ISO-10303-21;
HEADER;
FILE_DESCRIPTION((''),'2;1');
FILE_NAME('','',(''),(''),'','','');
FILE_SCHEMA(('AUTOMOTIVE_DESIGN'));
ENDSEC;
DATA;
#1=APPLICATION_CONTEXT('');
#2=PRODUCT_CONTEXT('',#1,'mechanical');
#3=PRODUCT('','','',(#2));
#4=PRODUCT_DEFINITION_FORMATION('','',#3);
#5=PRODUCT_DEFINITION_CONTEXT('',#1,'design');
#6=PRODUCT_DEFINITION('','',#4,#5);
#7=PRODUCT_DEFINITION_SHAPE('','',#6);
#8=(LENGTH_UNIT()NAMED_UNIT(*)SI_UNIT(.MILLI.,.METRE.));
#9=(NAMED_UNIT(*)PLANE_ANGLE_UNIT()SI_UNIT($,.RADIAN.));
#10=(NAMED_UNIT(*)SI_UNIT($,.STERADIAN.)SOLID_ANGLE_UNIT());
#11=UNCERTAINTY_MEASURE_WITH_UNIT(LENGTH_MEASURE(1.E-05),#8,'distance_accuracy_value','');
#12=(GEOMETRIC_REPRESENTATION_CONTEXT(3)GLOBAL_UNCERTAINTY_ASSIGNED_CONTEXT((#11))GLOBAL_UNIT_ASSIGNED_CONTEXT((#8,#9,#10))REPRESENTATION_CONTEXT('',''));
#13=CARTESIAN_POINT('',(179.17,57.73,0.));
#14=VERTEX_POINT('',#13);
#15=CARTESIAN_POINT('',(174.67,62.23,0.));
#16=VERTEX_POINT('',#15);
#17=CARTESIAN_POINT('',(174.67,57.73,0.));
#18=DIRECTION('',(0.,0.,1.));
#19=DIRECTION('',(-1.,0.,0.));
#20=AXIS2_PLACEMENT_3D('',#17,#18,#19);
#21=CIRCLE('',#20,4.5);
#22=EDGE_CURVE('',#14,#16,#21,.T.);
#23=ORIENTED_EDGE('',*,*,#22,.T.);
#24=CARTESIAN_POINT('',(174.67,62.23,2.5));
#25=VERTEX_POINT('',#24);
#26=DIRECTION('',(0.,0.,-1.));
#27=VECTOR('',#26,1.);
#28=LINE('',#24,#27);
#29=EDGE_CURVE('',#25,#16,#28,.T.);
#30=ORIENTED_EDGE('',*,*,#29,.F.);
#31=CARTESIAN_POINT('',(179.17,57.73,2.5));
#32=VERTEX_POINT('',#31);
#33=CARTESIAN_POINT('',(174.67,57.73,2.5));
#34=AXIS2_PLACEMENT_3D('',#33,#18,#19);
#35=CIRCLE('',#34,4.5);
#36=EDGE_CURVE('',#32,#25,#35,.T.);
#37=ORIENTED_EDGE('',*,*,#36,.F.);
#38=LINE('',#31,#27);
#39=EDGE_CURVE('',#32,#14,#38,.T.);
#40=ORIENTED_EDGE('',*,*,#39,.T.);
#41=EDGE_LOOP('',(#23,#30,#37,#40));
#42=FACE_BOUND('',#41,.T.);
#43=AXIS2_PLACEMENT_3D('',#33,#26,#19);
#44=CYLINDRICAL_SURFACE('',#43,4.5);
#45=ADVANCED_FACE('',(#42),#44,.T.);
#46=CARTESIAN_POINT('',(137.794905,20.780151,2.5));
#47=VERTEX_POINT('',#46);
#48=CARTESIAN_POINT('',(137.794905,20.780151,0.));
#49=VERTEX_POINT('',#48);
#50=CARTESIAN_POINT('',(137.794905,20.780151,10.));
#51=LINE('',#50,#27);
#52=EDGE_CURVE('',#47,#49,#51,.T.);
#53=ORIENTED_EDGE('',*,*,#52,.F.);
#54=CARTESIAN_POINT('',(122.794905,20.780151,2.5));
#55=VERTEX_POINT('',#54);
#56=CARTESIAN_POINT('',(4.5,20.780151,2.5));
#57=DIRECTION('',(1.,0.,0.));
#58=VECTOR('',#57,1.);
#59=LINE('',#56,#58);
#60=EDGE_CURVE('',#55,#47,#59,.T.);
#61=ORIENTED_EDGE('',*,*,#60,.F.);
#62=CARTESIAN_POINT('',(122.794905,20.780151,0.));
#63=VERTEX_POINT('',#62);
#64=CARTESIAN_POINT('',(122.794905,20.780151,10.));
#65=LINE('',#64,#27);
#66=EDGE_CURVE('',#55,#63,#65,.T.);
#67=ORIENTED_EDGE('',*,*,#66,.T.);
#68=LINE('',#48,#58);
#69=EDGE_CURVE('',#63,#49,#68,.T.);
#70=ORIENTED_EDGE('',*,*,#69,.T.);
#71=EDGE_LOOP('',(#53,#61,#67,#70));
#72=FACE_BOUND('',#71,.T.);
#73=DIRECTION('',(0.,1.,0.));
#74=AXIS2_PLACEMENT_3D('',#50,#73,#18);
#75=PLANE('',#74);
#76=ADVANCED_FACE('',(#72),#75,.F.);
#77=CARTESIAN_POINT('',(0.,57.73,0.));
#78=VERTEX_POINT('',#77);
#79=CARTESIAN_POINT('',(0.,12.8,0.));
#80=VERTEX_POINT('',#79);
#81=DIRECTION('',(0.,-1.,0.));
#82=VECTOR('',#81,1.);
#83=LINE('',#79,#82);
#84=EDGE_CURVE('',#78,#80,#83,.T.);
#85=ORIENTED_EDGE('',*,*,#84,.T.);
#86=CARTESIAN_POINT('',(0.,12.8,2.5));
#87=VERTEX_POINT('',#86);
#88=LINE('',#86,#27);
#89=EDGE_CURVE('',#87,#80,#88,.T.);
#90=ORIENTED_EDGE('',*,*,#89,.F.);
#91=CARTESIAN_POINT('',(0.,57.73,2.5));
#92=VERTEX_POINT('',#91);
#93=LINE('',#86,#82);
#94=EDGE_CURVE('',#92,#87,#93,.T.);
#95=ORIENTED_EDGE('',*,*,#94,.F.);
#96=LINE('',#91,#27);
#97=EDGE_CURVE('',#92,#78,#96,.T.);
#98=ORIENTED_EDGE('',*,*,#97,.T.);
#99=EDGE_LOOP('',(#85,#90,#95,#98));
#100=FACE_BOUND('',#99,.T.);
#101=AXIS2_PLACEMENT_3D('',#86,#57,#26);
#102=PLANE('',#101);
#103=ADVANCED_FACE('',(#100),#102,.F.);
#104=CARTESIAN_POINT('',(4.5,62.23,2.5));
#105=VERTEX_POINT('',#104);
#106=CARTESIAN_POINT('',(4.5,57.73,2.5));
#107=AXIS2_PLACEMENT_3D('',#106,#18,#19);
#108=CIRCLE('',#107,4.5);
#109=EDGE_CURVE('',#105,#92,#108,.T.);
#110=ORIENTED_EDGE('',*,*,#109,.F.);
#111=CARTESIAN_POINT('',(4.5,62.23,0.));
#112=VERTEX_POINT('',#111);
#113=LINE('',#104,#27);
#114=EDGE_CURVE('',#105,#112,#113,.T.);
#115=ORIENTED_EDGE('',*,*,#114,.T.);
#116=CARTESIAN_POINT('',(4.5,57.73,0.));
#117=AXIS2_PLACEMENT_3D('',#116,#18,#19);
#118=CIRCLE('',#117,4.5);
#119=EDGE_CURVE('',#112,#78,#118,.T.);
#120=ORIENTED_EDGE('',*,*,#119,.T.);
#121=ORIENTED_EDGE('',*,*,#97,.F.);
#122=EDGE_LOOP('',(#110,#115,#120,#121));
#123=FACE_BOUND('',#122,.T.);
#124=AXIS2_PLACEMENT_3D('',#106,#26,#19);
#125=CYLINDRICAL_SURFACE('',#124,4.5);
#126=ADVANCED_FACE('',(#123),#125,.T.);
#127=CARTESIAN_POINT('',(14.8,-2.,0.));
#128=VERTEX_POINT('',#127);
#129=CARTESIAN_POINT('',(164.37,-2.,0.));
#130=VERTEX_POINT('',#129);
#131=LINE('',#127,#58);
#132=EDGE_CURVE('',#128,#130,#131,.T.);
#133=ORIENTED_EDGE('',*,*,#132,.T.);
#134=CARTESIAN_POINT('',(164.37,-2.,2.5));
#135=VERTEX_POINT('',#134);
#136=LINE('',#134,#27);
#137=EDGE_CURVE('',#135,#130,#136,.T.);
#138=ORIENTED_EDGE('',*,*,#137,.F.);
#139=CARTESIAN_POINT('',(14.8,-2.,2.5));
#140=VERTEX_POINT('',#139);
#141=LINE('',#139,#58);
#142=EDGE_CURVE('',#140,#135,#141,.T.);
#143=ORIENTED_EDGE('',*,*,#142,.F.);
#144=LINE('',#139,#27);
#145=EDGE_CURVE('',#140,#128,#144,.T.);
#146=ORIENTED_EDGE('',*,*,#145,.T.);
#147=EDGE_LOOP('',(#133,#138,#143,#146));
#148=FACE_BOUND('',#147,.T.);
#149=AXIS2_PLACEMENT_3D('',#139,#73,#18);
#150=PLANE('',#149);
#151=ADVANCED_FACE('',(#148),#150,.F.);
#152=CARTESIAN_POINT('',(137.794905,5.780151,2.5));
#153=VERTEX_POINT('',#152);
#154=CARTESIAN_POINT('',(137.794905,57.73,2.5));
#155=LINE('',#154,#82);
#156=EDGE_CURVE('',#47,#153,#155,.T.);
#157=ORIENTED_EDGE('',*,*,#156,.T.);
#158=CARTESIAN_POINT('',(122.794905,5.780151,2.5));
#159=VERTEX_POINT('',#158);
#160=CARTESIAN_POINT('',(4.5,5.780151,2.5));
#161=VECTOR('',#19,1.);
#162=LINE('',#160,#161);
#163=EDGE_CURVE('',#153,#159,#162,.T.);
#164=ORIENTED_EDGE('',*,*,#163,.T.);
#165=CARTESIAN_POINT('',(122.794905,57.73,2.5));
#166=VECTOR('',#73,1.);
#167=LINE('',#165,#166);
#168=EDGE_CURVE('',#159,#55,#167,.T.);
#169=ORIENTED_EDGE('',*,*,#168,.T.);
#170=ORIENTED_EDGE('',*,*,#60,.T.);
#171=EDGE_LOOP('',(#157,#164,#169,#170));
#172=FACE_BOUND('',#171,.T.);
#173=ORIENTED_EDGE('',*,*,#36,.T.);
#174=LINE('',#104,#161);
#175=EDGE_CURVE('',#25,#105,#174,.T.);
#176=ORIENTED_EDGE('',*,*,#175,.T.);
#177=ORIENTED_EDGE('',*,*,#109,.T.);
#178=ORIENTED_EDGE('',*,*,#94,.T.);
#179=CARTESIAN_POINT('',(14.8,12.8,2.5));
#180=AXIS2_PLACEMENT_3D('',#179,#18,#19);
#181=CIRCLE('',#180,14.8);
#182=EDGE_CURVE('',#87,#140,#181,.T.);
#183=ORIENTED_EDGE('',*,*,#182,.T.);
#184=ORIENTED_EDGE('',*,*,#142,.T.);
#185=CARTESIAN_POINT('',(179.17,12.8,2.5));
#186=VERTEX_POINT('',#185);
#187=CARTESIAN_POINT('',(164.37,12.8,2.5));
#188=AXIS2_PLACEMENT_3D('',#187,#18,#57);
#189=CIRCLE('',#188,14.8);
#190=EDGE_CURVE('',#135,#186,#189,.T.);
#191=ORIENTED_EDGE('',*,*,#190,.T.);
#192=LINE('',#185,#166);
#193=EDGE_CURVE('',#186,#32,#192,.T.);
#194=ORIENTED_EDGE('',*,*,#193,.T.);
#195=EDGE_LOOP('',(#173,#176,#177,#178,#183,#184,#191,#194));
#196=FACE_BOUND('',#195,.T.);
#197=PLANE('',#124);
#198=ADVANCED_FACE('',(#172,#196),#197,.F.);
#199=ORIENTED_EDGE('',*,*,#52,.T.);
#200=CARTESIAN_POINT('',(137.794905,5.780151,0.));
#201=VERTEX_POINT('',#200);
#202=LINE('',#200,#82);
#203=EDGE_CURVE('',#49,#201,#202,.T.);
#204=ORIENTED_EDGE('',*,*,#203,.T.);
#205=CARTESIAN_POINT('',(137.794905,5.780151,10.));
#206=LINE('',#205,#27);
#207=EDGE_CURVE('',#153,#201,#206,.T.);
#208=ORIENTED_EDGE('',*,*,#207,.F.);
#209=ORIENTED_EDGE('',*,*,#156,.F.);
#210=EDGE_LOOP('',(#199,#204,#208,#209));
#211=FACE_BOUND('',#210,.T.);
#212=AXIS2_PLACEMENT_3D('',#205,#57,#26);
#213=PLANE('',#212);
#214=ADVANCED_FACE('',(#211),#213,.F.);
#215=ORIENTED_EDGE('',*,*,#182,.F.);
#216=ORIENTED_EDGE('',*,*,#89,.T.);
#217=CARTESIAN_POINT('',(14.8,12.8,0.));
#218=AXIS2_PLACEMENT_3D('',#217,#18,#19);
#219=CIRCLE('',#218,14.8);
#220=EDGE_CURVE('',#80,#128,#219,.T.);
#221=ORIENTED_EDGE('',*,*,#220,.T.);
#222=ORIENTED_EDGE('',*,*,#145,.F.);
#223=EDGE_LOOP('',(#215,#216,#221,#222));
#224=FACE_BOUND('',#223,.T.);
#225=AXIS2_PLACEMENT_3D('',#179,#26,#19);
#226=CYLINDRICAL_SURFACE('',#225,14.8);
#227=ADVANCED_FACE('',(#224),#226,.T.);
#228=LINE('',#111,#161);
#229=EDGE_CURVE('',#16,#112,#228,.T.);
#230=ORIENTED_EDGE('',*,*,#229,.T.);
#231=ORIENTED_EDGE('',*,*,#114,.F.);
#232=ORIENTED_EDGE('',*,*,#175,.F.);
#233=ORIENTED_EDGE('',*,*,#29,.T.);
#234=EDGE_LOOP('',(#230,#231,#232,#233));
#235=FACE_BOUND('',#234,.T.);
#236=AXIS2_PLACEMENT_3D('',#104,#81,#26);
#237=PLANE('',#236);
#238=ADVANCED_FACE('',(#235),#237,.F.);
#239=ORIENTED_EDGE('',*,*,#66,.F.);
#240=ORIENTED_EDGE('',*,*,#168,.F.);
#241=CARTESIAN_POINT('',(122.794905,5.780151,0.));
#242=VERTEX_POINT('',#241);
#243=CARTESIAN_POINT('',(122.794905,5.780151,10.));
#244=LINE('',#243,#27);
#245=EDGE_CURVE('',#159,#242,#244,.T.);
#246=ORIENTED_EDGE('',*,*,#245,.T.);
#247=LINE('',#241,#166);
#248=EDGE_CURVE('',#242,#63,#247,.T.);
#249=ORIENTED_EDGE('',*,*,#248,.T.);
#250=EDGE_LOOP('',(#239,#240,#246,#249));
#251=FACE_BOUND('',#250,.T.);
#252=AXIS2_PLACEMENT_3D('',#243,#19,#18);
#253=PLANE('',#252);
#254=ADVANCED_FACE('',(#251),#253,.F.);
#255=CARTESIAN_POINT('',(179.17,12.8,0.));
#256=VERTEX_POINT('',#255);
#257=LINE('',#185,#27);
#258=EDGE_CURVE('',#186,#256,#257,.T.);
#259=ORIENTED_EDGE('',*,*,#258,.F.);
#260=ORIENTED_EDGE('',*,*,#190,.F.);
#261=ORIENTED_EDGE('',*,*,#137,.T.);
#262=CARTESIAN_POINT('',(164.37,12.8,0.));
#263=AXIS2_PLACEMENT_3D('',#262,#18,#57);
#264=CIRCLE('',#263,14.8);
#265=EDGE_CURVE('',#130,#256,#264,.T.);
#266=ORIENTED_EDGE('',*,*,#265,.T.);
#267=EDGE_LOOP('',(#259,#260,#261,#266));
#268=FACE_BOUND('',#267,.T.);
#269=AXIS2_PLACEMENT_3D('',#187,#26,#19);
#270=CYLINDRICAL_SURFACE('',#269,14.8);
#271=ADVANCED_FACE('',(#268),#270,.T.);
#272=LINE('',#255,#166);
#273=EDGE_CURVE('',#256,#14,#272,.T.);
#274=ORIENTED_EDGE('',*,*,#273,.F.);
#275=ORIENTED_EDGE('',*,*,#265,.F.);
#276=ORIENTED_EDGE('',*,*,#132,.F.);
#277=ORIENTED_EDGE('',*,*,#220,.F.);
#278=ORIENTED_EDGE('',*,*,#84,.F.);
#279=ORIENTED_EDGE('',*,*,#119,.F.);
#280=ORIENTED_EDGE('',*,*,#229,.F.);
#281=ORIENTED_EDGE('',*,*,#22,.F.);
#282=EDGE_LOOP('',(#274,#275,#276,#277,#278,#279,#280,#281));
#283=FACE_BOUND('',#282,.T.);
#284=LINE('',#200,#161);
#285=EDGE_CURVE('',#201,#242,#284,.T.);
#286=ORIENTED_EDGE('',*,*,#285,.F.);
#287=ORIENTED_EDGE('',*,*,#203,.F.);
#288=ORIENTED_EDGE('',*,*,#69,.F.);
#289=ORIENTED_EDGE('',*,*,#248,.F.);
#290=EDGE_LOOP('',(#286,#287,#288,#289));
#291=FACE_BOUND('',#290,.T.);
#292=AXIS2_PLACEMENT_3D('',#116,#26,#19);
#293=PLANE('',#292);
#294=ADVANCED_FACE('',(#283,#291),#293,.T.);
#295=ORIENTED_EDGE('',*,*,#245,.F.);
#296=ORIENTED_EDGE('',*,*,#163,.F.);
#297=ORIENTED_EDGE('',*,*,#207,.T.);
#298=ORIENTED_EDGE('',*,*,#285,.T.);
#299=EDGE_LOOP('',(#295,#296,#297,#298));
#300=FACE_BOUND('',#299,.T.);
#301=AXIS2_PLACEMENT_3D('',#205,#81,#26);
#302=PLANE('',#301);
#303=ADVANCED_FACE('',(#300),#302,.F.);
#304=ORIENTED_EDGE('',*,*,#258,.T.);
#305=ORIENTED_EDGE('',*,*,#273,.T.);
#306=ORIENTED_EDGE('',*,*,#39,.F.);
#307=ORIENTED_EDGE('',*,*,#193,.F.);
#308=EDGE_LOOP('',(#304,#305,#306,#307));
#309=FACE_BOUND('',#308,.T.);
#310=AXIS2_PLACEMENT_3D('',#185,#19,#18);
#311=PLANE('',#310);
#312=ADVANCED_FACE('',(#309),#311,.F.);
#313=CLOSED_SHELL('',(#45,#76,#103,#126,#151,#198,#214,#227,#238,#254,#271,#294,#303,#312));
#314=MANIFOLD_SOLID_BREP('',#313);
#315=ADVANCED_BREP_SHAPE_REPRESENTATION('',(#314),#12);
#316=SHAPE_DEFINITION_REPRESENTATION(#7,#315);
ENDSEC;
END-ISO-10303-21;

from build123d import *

# Parameters (mm, degrees)
BOSS_EXTRU_1_DEPTH      = 2.5
ESQUISSE21_W            = 15
ESQUISSE21_H            = 15
ENL_V_MAT_EXTRU_1_DEPTH = 10


with BuildPart() as part:
    # Esquisse20 → Boss.-Extru.1 (new body)
    with BuildSketch(Plane.XY):
        with BuildLine():
            Line((14.8, -2), (164.37, -2))
            ThreePointArc((164.37, -2), (174.835180362, 2.334819638), (179.17, 12.8))
            Line((179.17, 12.8), (179.17, 57.73))
            ThreePointArc((179.17, 57.73), (177.851980515, 60.911980515), (174.67, 62.23))
            Line((174.67, 62.23), (4.5, 62.23))
            ThreePointArc((4.5, 62.23), (1.318019485, 60.911980515), (0, 57.73))
            Line((0, 57.73), (0, 12.8))
            ThreePointArc((0, 12.8), (4.334819638, 2.334819638), (14.8, -2))
        make_face()
    extrude(amount=BOSS_EXTRU_1_DEPTH)

    # Esquisse21 → Enlèv. mat.-Extru.1 (cut)
    with BuildSketch(Plane(origin=(0, 0, 0), x_dir=(-1, 0, 0), z_dir=(0, 0, -1))):
        with Locations((-130.294905016, 13.280151044)):
            Rectangle(ESQUISSE21_W, ESQUISSE21_H)
    extrude(amount=-ENL_V_MAT_EXTRU_1_DEPTH, mode=Mode.SUBTRACT)


solid = part.part
